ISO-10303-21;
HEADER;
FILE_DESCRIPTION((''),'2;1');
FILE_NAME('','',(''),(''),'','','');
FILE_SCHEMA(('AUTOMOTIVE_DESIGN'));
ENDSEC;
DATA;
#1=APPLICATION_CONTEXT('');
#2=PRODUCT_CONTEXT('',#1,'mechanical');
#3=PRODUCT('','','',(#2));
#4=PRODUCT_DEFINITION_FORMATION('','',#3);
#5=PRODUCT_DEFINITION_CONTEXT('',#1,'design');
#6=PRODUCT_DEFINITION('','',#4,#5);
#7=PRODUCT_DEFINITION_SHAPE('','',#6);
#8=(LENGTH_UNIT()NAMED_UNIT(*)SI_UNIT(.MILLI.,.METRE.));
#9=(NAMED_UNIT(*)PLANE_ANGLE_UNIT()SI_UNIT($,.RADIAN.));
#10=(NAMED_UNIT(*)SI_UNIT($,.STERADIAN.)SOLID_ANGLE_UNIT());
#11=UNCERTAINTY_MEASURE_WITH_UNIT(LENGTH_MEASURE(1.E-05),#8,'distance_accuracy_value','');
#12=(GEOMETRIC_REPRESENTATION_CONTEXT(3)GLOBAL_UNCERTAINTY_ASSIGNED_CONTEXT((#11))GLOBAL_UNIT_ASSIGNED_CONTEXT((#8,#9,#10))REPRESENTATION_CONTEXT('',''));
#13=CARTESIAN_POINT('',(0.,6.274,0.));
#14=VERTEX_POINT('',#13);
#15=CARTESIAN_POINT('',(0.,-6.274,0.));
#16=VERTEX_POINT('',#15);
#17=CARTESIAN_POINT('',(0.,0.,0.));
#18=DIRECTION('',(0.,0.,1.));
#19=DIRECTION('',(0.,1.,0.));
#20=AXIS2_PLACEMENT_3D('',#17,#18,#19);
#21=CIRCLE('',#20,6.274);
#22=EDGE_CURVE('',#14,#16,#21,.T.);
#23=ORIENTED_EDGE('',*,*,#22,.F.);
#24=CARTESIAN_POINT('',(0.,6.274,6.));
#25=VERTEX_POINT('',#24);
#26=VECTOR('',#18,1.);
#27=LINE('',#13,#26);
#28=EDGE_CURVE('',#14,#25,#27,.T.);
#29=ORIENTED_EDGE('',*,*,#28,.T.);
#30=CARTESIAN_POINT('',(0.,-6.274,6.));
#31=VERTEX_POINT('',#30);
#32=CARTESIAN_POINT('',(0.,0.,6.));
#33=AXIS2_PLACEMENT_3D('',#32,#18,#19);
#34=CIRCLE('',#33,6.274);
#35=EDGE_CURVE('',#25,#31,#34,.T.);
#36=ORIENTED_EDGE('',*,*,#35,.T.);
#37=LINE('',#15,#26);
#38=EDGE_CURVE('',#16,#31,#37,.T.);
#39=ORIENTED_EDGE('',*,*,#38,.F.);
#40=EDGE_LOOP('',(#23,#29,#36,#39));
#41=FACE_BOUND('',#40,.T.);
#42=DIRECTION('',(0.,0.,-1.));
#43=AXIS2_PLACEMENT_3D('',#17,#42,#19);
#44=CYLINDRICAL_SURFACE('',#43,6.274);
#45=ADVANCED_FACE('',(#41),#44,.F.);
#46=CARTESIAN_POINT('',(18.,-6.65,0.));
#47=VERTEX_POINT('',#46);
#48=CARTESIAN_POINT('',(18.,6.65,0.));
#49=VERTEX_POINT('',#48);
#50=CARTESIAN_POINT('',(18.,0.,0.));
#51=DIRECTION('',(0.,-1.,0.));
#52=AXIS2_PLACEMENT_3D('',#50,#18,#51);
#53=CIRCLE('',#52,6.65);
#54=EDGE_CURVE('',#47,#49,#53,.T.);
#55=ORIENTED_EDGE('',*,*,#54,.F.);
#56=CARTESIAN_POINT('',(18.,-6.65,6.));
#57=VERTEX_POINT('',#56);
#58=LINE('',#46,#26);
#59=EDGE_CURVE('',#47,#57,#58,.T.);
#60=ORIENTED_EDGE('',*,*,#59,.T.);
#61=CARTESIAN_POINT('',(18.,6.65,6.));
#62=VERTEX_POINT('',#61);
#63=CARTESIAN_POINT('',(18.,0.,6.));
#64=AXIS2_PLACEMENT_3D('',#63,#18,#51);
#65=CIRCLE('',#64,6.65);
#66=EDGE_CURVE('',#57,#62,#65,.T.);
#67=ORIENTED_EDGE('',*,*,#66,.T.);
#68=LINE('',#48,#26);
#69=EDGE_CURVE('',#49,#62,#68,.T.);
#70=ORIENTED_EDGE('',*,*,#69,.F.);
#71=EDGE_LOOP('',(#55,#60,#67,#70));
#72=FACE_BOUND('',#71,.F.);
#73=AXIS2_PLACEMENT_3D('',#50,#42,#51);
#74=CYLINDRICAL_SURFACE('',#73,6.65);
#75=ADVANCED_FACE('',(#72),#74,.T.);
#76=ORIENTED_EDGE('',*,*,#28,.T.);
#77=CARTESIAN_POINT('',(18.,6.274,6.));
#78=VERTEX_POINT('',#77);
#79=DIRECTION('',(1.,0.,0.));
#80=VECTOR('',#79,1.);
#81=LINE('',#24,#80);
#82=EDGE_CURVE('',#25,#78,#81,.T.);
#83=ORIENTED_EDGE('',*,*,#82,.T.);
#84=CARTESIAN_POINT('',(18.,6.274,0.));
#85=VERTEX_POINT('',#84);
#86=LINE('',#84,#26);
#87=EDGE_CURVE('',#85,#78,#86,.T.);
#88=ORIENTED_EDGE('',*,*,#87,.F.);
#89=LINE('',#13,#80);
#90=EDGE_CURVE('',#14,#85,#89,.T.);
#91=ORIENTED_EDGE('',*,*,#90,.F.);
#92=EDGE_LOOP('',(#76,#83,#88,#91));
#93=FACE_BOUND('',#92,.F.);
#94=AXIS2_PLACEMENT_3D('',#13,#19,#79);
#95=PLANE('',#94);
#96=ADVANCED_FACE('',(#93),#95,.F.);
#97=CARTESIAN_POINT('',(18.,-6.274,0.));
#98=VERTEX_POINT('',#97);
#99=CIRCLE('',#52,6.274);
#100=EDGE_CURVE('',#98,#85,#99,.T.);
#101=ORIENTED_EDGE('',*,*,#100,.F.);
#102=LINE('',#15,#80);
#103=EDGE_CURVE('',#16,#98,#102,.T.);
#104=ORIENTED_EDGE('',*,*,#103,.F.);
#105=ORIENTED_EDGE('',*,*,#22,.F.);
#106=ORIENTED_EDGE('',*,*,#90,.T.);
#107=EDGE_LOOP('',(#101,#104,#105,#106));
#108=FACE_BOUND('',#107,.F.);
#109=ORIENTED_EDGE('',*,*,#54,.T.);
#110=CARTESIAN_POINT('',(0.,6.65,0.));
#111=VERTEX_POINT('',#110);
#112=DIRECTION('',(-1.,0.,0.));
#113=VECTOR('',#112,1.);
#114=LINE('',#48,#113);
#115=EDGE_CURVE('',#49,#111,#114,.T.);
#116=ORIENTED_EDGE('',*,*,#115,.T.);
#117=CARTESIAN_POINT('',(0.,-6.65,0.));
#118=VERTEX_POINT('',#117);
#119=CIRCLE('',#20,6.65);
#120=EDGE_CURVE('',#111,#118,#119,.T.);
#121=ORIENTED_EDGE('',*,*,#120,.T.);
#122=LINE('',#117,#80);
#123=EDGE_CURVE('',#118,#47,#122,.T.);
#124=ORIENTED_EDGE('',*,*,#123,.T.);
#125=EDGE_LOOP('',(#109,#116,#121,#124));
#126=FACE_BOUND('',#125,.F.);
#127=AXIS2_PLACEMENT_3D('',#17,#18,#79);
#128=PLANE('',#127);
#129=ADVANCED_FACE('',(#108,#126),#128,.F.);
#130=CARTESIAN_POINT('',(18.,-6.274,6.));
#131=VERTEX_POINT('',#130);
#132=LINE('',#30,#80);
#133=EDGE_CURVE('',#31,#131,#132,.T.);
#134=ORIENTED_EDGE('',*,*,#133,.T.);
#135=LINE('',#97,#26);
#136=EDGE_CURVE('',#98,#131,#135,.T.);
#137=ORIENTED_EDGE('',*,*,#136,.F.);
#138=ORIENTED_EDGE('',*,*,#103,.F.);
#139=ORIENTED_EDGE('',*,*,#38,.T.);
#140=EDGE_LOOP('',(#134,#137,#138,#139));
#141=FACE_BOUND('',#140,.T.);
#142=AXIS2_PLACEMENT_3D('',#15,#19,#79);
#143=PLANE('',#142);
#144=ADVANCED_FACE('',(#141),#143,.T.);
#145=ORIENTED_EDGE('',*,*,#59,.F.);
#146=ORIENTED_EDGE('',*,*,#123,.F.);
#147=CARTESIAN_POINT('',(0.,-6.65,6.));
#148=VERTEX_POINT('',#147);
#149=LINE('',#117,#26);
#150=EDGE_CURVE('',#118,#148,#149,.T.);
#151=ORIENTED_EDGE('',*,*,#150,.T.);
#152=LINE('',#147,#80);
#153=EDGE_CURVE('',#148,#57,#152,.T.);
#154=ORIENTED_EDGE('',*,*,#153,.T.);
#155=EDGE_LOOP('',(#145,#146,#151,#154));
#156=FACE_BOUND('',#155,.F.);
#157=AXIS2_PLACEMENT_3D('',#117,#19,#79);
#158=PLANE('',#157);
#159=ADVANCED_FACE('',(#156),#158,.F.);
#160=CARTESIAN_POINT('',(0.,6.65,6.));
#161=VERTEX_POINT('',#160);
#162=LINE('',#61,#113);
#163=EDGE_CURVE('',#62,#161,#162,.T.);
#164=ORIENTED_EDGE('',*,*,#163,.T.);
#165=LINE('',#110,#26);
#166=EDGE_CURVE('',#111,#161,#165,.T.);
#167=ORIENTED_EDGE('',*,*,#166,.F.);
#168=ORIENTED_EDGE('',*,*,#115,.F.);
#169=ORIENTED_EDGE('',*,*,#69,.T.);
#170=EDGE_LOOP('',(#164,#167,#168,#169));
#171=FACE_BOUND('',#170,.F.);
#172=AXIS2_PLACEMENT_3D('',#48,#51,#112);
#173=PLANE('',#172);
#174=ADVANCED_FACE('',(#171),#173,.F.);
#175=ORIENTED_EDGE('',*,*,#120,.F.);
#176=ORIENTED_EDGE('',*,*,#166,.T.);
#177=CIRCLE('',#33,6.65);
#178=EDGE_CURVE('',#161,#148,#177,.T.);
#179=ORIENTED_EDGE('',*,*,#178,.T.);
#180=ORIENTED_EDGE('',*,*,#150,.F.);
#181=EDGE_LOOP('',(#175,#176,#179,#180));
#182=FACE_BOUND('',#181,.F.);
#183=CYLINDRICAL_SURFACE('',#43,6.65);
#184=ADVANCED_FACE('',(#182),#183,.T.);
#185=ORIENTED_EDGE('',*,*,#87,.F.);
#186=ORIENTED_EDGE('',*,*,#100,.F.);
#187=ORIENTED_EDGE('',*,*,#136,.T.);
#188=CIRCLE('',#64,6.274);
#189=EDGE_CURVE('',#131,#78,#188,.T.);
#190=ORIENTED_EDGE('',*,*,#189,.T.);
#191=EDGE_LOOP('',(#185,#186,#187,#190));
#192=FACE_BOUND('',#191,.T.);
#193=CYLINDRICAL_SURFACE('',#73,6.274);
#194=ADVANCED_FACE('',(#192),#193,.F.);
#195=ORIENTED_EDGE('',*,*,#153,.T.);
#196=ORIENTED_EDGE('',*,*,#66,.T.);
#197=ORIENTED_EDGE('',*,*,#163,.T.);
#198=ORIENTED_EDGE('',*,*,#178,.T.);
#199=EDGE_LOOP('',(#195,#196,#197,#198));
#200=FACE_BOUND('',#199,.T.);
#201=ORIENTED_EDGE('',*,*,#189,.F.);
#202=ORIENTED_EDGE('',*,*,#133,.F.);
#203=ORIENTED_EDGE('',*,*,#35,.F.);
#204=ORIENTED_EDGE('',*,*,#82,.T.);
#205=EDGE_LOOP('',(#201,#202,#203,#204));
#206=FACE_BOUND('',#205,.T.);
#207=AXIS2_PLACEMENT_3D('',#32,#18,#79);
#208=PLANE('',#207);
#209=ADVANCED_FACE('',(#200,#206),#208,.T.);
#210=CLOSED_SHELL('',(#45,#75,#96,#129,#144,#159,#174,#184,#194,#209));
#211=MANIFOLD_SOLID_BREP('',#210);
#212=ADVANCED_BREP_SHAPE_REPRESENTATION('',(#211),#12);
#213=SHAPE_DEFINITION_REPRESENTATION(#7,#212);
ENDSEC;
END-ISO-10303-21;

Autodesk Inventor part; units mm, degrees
ref_plane "YZ Plane" through (0, 0, 0) normal (1, 0, 0) x (0, 1, 0)
ref_plane "XZ Plane" through (0, 0, 0) normal (0, 1, 0) x (-1, 0, 0)
ref_plane "XY Plane" through (0, 0, 0) normal (0, 0, 1) x (1, 0, 0)
sketch "Sketch1" plane through (0, 0, 0) normal (0, 0, 1) x (1, 0, 0)
  arc A0 (0, 6.274) -> (0, -6.274) centre (0, 0) ccw
  arc A1 (18, -6.274) -> (18, 6.274) centre (18, 0) ccw
  line L0 (0, 6.274) -> (18, 6.274)
  line L1 (0, -6.274) -> (18, -6.274)
  line L2 (18, 6.65) -> (0, 6.65)
  arc A2 (0, 6.65) -> (0, -6.65) centre (0, 0) ccw
  line L3 (0, -6.65) -> (18, -6.65)
  arc A3 (18, -6.65) -> (18, 6.65) centre (18, 0) ccw
  dimension "d0" = 12.548
  dimension "d1" = 12.548
  dimension "d2" = 18
  dimension "d3" = 0.376
extrude "Extrusion1" add sketch "Sketch1" along normal blind 6
properties part number "pasek"
